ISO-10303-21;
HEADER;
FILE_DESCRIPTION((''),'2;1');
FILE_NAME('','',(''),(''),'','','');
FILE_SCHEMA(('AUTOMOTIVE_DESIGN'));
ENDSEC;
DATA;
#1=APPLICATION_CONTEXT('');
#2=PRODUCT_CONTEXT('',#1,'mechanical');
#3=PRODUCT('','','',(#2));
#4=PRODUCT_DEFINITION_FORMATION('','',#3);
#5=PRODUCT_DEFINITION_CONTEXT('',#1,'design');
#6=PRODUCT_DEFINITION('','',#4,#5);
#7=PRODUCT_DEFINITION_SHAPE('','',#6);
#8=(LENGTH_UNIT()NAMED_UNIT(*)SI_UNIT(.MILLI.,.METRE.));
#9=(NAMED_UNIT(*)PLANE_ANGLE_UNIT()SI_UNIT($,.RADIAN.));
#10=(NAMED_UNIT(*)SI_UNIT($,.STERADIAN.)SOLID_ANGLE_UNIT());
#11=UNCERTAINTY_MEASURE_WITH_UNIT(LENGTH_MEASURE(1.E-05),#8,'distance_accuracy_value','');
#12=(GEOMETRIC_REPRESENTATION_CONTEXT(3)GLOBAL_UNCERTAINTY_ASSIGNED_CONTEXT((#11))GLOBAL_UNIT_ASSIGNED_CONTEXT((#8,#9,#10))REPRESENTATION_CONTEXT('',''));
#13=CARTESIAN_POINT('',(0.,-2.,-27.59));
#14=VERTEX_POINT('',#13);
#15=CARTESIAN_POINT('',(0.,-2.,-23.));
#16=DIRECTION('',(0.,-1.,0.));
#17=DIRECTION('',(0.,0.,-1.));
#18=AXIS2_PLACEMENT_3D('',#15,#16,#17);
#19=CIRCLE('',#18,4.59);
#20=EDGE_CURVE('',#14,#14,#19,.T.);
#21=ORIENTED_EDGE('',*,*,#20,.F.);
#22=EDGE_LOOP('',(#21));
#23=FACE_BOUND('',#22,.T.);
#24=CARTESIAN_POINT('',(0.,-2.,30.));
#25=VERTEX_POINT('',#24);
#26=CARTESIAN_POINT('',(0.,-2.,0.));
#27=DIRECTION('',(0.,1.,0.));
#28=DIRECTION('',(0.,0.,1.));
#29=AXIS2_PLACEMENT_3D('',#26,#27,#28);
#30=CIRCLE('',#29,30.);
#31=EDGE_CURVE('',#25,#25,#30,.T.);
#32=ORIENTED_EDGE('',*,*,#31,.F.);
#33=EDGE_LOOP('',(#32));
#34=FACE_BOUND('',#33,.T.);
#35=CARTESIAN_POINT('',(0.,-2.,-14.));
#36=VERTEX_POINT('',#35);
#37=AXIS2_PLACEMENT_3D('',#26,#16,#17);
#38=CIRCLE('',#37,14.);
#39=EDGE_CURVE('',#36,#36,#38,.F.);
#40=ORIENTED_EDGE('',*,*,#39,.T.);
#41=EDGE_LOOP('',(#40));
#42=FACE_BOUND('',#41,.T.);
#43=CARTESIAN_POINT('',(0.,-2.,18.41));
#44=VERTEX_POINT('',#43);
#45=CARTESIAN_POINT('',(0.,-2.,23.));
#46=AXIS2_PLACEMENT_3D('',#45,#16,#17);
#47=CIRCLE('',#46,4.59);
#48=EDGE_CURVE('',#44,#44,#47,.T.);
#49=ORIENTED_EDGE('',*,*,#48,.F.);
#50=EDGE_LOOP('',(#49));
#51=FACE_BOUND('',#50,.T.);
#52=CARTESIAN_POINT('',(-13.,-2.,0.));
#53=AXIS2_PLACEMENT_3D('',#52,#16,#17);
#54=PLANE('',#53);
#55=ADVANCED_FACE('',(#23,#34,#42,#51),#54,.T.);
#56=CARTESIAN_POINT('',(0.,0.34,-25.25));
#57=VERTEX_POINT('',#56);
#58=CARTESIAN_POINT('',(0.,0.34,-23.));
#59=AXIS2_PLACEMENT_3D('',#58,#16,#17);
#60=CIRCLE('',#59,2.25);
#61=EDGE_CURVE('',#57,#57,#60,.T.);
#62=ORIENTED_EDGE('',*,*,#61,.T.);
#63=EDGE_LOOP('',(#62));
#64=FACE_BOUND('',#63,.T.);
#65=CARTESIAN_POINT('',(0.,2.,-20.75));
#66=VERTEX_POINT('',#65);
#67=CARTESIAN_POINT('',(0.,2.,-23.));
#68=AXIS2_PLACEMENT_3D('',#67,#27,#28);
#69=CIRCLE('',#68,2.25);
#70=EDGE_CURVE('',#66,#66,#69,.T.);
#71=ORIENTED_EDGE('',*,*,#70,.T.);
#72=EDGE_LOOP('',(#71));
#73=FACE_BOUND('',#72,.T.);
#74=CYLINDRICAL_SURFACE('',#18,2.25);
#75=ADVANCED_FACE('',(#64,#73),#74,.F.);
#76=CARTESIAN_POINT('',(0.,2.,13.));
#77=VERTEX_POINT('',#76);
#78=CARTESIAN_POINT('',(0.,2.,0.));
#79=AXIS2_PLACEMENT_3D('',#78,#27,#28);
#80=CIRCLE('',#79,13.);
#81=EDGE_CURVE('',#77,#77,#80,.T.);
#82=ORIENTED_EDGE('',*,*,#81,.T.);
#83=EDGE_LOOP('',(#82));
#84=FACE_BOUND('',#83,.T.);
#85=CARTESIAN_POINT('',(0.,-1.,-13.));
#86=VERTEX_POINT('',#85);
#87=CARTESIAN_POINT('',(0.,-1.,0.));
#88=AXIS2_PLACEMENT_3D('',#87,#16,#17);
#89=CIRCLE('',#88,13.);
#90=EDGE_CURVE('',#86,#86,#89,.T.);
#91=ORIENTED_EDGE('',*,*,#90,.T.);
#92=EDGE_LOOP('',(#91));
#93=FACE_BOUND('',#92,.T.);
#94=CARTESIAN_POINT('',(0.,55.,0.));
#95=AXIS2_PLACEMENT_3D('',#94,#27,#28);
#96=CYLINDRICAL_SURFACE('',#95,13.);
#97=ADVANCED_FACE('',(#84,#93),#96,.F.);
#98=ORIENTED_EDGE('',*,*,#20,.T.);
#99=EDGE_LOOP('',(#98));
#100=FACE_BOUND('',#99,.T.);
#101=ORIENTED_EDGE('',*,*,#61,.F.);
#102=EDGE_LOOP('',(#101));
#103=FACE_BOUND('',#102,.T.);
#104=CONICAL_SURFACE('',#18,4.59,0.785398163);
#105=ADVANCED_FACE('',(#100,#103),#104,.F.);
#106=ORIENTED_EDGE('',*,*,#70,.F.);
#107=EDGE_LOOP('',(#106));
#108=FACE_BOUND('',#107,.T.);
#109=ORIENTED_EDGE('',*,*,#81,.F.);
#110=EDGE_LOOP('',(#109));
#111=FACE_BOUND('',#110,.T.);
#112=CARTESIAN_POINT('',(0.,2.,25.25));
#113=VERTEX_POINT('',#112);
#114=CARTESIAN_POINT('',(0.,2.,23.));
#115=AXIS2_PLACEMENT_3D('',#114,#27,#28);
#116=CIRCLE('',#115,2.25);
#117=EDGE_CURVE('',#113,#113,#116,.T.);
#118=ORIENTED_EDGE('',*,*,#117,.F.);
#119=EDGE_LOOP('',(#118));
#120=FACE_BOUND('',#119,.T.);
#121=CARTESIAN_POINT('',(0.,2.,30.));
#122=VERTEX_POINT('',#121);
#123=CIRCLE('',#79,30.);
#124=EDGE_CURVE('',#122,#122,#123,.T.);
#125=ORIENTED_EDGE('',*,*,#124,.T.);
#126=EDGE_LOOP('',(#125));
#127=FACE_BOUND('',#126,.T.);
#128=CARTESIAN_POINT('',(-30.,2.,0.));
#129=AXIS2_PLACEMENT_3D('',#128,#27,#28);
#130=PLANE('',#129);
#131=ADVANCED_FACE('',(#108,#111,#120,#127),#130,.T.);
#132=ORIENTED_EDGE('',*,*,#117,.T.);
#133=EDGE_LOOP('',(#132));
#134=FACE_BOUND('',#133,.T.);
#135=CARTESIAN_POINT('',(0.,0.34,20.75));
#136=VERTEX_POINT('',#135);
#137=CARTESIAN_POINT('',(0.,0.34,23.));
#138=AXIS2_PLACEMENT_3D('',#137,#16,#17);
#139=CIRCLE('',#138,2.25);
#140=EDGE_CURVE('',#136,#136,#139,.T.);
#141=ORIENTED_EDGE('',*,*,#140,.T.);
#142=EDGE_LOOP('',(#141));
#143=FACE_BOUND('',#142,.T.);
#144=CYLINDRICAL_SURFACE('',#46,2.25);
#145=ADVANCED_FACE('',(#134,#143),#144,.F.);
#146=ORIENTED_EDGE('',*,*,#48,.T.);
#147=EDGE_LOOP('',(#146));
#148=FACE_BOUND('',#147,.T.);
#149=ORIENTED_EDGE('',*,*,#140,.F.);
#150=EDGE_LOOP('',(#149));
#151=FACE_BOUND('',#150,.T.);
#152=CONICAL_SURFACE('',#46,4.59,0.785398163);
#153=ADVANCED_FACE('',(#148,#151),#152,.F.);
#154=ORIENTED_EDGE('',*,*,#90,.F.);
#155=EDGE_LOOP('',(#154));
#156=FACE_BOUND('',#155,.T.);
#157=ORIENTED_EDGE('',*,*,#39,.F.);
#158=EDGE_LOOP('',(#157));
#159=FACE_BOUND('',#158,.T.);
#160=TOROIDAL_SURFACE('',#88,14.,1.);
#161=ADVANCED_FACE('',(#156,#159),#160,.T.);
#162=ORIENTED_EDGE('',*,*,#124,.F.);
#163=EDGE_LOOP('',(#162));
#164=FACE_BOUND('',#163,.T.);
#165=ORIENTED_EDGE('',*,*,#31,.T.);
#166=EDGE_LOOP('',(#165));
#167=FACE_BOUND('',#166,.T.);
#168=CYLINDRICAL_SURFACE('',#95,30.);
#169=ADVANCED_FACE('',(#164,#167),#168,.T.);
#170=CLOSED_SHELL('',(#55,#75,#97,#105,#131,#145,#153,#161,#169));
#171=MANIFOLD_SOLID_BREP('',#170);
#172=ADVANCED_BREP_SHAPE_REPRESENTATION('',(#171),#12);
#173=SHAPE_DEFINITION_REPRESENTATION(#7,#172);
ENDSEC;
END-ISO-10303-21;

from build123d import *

# Parameters (mm, degrees)
CSK_FOR_M4_HEX_SOCKET_COUNTERSUNK_HE_2_COUNT = 2
CSK_FOR_M4_HEX_SOCKET_COUNTERSUNK_HE_2_PITCH = 46
FILLET1_R                                    = 1
CHAMFER1_SIZE                                = 0.5
SKETCH6_R                                    = 20.074468172
CUT_EXTRUDE2_DEPTH                           = 10


with BuildPart() as part:
    # Sketch1 → Revolve1 (revolve)
    with BuildSketch(Plane.XY, mode=Mode.PRIVATE) as revolve1_sk:
        Polygon((-30, -2), (-30, 2), (-16, 2), (-16, 4), (-13, 4), (-13, -2), align=None)
    revolve(revolve1_sk.sketch.rotate(Axis((0, 55, 0), (0, -1, 0)), 270), axis=Axis((0, 55, 0), (0, -1, 0)))

    # Sketch3 → CSK for M4 Hex Socket Countersunk Head Screw2 (revolve, cut)
    with BuildSketch(Plane(origin=(0, -2, 23), x_dir=(0, 0, -1), z_dir=(1, 0, 0))):
        Polygon((0, 0), (0, 4), (2.25, 4), (2.25, 2.34), (4.59, 0), align=None)
    csk_for_m4_hex_socket_countersunk_head_s = revolve(axis=Axis((0, -8.35, 23), (0, 1, 0)), mode=Mode.SUBTRACT)

    # CSK for M4 Hex Socket Countersunk He 2: CSK for M4 Hex Socket Countersunk Head Screw2 ×2
    with Locations(*[(0, 0, -i * CSK_FOR_M4_HEX_SOCKET_COUNTERSUNK_HE_2_PITCH) for i in range(1, CSK_FOR_M4_HEX_SOCKET_COUNTERSUNK_HE_2_COUNT)]):
        add(csk_for_m4_hex_socket_countersunk_head_s, mode=Mode.SUBTRACT)

    # Fillet1
    fillet1_edges = [part.edges().sort_by_distance(p)[0] for p in [
        (0, -2, -13),
    ]]
    fillet(fillet1_edges, radius=FILLET1_R)

    # Chamfer1
    chamfer1_edges = [part.edges().sort_by_distance(p)[0] for p in [
        (0, 4, -16),
    ]]
    chamfer(chamfer1_edges, length=CHAMFER1_SIZE)

    # Sketch6 → Cut-Extrude2 (cut)
    with BuildSketch(Plane(origin=(0, 2, 0), x_dir=(1, 0, 0), z_dir=(0, 1, 0))):
        Circle(SKETCH6_R)
    extrude(amount=CUT_EXTRUDE2_DEPTH, mode=Mode.SUBTRACT)


solid = part.part
